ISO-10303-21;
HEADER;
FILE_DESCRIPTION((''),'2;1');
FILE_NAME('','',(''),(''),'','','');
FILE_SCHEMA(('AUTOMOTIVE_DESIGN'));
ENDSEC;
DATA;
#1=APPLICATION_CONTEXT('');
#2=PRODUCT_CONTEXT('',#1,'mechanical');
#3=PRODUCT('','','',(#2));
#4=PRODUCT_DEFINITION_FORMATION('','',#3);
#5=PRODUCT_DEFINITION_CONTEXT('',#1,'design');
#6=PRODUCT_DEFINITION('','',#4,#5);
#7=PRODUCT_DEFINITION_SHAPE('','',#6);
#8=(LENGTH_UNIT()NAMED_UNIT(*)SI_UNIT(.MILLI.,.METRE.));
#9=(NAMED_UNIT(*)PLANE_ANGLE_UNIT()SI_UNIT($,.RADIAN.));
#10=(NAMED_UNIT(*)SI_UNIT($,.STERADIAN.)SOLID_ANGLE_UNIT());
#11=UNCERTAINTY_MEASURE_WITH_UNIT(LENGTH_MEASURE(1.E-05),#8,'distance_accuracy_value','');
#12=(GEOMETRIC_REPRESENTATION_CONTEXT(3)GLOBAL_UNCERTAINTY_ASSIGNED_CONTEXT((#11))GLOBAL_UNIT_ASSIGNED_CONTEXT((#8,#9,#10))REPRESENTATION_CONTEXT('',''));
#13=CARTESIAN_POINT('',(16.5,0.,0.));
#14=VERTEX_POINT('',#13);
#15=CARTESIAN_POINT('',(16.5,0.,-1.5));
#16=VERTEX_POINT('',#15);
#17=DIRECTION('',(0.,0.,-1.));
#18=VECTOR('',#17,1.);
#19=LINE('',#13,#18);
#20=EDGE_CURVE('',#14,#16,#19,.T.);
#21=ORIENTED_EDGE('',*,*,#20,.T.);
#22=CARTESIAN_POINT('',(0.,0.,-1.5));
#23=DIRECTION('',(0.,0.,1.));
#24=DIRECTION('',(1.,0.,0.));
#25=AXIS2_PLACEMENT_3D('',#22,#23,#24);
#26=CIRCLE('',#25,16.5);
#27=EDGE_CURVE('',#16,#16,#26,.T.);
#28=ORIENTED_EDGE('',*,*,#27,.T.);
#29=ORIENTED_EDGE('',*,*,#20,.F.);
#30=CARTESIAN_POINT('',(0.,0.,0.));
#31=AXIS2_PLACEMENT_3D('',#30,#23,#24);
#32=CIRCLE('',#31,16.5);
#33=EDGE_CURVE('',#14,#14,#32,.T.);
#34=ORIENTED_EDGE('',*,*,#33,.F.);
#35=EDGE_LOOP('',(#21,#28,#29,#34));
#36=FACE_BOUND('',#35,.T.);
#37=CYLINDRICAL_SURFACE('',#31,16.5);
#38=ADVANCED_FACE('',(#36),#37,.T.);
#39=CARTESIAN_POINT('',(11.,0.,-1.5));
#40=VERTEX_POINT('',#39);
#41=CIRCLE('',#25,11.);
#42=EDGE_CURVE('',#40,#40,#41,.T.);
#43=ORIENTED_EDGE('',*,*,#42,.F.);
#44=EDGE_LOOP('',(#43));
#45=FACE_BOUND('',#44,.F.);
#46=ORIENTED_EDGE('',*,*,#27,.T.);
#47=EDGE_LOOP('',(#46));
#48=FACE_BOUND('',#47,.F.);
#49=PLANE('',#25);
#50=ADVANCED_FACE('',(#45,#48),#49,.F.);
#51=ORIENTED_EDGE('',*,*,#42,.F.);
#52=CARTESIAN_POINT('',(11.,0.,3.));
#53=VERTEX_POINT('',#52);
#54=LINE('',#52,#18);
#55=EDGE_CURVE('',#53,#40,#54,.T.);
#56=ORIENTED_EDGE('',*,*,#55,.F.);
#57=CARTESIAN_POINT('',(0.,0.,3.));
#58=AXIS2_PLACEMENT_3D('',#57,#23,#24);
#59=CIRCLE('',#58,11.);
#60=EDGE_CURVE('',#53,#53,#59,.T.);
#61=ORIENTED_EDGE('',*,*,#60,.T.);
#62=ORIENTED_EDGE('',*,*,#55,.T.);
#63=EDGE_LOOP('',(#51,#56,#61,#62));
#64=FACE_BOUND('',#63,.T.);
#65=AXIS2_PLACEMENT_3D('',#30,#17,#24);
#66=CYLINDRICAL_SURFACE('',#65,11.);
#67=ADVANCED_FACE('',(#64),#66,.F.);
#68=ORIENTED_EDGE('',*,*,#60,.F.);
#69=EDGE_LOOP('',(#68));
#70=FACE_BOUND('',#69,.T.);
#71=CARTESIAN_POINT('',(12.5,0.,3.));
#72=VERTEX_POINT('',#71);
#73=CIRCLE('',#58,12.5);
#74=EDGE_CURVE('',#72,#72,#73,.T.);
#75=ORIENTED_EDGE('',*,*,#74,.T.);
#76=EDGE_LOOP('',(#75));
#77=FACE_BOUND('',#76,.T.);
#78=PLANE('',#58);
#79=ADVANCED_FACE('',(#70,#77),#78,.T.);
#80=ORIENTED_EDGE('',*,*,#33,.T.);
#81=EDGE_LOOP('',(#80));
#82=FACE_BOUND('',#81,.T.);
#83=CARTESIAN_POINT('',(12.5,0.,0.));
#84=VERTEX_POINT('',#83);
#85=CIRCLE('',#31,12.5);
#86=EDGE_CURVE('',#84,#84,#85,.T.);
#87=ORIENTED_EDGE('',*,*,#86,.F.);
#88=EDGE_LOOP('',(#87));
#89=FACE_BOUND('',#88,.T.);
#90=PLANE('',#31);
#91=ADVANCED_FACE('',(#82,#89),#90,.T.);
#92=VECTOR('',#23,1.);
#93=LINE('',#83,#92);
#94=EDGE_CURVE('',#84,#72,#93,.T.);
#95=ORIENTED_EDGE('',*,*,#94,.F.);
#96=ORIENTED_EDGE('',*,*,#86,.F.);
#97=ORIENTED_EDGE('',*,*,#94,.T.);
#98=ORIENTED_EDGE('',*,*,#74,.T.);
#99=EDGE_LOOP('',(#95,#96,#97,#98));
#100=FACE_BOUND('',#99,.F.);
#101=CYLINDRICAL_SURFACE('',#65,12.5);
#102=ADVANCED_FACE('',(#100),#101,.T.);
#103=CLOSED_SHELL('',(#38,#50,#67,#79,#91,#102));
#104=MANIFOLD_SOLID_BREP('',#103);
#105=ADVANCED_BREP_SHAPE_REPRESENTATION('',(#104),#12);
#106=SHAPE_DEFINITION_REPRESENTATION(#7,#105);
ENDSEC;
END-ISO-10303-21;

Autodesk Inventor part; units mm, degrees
ref_plane "YZ Plane" through (0, 0, 0) normal (1, 0, 0) x (0, 1, 0)
ref_plane "XZ Plane" through (0, 0, 0) normal (0, 1, 0) x (-1, 0, 0)
ref_plane "XY Plane" through (0, 0, 0) normal (0, 0, 1) x (1, 0, 0)
sketch "スケッチ1" plane through (0, 0, 0) normal (0, 0, 1) x (1, 0, 0)
  circle A0 centre (0, 0) radius 11
  circle A1 centre (0, 0) radius 12.5
  circle A2 centre (0, 0) radius 16.5
  dimension "d0" = 22
  dimension "d1" = 25
  dimension "d2" = 33
extrude "押し出し1" add sketch "スケッチ1" along normal blind 3 contours A1
extrude "押し出し2" add sketch "スケッチ1" against normal blind 1.5 contours A1 | A2
properties part number "オイレス　内径22　フランジ付き" material "アセタール樹脂、黒"
